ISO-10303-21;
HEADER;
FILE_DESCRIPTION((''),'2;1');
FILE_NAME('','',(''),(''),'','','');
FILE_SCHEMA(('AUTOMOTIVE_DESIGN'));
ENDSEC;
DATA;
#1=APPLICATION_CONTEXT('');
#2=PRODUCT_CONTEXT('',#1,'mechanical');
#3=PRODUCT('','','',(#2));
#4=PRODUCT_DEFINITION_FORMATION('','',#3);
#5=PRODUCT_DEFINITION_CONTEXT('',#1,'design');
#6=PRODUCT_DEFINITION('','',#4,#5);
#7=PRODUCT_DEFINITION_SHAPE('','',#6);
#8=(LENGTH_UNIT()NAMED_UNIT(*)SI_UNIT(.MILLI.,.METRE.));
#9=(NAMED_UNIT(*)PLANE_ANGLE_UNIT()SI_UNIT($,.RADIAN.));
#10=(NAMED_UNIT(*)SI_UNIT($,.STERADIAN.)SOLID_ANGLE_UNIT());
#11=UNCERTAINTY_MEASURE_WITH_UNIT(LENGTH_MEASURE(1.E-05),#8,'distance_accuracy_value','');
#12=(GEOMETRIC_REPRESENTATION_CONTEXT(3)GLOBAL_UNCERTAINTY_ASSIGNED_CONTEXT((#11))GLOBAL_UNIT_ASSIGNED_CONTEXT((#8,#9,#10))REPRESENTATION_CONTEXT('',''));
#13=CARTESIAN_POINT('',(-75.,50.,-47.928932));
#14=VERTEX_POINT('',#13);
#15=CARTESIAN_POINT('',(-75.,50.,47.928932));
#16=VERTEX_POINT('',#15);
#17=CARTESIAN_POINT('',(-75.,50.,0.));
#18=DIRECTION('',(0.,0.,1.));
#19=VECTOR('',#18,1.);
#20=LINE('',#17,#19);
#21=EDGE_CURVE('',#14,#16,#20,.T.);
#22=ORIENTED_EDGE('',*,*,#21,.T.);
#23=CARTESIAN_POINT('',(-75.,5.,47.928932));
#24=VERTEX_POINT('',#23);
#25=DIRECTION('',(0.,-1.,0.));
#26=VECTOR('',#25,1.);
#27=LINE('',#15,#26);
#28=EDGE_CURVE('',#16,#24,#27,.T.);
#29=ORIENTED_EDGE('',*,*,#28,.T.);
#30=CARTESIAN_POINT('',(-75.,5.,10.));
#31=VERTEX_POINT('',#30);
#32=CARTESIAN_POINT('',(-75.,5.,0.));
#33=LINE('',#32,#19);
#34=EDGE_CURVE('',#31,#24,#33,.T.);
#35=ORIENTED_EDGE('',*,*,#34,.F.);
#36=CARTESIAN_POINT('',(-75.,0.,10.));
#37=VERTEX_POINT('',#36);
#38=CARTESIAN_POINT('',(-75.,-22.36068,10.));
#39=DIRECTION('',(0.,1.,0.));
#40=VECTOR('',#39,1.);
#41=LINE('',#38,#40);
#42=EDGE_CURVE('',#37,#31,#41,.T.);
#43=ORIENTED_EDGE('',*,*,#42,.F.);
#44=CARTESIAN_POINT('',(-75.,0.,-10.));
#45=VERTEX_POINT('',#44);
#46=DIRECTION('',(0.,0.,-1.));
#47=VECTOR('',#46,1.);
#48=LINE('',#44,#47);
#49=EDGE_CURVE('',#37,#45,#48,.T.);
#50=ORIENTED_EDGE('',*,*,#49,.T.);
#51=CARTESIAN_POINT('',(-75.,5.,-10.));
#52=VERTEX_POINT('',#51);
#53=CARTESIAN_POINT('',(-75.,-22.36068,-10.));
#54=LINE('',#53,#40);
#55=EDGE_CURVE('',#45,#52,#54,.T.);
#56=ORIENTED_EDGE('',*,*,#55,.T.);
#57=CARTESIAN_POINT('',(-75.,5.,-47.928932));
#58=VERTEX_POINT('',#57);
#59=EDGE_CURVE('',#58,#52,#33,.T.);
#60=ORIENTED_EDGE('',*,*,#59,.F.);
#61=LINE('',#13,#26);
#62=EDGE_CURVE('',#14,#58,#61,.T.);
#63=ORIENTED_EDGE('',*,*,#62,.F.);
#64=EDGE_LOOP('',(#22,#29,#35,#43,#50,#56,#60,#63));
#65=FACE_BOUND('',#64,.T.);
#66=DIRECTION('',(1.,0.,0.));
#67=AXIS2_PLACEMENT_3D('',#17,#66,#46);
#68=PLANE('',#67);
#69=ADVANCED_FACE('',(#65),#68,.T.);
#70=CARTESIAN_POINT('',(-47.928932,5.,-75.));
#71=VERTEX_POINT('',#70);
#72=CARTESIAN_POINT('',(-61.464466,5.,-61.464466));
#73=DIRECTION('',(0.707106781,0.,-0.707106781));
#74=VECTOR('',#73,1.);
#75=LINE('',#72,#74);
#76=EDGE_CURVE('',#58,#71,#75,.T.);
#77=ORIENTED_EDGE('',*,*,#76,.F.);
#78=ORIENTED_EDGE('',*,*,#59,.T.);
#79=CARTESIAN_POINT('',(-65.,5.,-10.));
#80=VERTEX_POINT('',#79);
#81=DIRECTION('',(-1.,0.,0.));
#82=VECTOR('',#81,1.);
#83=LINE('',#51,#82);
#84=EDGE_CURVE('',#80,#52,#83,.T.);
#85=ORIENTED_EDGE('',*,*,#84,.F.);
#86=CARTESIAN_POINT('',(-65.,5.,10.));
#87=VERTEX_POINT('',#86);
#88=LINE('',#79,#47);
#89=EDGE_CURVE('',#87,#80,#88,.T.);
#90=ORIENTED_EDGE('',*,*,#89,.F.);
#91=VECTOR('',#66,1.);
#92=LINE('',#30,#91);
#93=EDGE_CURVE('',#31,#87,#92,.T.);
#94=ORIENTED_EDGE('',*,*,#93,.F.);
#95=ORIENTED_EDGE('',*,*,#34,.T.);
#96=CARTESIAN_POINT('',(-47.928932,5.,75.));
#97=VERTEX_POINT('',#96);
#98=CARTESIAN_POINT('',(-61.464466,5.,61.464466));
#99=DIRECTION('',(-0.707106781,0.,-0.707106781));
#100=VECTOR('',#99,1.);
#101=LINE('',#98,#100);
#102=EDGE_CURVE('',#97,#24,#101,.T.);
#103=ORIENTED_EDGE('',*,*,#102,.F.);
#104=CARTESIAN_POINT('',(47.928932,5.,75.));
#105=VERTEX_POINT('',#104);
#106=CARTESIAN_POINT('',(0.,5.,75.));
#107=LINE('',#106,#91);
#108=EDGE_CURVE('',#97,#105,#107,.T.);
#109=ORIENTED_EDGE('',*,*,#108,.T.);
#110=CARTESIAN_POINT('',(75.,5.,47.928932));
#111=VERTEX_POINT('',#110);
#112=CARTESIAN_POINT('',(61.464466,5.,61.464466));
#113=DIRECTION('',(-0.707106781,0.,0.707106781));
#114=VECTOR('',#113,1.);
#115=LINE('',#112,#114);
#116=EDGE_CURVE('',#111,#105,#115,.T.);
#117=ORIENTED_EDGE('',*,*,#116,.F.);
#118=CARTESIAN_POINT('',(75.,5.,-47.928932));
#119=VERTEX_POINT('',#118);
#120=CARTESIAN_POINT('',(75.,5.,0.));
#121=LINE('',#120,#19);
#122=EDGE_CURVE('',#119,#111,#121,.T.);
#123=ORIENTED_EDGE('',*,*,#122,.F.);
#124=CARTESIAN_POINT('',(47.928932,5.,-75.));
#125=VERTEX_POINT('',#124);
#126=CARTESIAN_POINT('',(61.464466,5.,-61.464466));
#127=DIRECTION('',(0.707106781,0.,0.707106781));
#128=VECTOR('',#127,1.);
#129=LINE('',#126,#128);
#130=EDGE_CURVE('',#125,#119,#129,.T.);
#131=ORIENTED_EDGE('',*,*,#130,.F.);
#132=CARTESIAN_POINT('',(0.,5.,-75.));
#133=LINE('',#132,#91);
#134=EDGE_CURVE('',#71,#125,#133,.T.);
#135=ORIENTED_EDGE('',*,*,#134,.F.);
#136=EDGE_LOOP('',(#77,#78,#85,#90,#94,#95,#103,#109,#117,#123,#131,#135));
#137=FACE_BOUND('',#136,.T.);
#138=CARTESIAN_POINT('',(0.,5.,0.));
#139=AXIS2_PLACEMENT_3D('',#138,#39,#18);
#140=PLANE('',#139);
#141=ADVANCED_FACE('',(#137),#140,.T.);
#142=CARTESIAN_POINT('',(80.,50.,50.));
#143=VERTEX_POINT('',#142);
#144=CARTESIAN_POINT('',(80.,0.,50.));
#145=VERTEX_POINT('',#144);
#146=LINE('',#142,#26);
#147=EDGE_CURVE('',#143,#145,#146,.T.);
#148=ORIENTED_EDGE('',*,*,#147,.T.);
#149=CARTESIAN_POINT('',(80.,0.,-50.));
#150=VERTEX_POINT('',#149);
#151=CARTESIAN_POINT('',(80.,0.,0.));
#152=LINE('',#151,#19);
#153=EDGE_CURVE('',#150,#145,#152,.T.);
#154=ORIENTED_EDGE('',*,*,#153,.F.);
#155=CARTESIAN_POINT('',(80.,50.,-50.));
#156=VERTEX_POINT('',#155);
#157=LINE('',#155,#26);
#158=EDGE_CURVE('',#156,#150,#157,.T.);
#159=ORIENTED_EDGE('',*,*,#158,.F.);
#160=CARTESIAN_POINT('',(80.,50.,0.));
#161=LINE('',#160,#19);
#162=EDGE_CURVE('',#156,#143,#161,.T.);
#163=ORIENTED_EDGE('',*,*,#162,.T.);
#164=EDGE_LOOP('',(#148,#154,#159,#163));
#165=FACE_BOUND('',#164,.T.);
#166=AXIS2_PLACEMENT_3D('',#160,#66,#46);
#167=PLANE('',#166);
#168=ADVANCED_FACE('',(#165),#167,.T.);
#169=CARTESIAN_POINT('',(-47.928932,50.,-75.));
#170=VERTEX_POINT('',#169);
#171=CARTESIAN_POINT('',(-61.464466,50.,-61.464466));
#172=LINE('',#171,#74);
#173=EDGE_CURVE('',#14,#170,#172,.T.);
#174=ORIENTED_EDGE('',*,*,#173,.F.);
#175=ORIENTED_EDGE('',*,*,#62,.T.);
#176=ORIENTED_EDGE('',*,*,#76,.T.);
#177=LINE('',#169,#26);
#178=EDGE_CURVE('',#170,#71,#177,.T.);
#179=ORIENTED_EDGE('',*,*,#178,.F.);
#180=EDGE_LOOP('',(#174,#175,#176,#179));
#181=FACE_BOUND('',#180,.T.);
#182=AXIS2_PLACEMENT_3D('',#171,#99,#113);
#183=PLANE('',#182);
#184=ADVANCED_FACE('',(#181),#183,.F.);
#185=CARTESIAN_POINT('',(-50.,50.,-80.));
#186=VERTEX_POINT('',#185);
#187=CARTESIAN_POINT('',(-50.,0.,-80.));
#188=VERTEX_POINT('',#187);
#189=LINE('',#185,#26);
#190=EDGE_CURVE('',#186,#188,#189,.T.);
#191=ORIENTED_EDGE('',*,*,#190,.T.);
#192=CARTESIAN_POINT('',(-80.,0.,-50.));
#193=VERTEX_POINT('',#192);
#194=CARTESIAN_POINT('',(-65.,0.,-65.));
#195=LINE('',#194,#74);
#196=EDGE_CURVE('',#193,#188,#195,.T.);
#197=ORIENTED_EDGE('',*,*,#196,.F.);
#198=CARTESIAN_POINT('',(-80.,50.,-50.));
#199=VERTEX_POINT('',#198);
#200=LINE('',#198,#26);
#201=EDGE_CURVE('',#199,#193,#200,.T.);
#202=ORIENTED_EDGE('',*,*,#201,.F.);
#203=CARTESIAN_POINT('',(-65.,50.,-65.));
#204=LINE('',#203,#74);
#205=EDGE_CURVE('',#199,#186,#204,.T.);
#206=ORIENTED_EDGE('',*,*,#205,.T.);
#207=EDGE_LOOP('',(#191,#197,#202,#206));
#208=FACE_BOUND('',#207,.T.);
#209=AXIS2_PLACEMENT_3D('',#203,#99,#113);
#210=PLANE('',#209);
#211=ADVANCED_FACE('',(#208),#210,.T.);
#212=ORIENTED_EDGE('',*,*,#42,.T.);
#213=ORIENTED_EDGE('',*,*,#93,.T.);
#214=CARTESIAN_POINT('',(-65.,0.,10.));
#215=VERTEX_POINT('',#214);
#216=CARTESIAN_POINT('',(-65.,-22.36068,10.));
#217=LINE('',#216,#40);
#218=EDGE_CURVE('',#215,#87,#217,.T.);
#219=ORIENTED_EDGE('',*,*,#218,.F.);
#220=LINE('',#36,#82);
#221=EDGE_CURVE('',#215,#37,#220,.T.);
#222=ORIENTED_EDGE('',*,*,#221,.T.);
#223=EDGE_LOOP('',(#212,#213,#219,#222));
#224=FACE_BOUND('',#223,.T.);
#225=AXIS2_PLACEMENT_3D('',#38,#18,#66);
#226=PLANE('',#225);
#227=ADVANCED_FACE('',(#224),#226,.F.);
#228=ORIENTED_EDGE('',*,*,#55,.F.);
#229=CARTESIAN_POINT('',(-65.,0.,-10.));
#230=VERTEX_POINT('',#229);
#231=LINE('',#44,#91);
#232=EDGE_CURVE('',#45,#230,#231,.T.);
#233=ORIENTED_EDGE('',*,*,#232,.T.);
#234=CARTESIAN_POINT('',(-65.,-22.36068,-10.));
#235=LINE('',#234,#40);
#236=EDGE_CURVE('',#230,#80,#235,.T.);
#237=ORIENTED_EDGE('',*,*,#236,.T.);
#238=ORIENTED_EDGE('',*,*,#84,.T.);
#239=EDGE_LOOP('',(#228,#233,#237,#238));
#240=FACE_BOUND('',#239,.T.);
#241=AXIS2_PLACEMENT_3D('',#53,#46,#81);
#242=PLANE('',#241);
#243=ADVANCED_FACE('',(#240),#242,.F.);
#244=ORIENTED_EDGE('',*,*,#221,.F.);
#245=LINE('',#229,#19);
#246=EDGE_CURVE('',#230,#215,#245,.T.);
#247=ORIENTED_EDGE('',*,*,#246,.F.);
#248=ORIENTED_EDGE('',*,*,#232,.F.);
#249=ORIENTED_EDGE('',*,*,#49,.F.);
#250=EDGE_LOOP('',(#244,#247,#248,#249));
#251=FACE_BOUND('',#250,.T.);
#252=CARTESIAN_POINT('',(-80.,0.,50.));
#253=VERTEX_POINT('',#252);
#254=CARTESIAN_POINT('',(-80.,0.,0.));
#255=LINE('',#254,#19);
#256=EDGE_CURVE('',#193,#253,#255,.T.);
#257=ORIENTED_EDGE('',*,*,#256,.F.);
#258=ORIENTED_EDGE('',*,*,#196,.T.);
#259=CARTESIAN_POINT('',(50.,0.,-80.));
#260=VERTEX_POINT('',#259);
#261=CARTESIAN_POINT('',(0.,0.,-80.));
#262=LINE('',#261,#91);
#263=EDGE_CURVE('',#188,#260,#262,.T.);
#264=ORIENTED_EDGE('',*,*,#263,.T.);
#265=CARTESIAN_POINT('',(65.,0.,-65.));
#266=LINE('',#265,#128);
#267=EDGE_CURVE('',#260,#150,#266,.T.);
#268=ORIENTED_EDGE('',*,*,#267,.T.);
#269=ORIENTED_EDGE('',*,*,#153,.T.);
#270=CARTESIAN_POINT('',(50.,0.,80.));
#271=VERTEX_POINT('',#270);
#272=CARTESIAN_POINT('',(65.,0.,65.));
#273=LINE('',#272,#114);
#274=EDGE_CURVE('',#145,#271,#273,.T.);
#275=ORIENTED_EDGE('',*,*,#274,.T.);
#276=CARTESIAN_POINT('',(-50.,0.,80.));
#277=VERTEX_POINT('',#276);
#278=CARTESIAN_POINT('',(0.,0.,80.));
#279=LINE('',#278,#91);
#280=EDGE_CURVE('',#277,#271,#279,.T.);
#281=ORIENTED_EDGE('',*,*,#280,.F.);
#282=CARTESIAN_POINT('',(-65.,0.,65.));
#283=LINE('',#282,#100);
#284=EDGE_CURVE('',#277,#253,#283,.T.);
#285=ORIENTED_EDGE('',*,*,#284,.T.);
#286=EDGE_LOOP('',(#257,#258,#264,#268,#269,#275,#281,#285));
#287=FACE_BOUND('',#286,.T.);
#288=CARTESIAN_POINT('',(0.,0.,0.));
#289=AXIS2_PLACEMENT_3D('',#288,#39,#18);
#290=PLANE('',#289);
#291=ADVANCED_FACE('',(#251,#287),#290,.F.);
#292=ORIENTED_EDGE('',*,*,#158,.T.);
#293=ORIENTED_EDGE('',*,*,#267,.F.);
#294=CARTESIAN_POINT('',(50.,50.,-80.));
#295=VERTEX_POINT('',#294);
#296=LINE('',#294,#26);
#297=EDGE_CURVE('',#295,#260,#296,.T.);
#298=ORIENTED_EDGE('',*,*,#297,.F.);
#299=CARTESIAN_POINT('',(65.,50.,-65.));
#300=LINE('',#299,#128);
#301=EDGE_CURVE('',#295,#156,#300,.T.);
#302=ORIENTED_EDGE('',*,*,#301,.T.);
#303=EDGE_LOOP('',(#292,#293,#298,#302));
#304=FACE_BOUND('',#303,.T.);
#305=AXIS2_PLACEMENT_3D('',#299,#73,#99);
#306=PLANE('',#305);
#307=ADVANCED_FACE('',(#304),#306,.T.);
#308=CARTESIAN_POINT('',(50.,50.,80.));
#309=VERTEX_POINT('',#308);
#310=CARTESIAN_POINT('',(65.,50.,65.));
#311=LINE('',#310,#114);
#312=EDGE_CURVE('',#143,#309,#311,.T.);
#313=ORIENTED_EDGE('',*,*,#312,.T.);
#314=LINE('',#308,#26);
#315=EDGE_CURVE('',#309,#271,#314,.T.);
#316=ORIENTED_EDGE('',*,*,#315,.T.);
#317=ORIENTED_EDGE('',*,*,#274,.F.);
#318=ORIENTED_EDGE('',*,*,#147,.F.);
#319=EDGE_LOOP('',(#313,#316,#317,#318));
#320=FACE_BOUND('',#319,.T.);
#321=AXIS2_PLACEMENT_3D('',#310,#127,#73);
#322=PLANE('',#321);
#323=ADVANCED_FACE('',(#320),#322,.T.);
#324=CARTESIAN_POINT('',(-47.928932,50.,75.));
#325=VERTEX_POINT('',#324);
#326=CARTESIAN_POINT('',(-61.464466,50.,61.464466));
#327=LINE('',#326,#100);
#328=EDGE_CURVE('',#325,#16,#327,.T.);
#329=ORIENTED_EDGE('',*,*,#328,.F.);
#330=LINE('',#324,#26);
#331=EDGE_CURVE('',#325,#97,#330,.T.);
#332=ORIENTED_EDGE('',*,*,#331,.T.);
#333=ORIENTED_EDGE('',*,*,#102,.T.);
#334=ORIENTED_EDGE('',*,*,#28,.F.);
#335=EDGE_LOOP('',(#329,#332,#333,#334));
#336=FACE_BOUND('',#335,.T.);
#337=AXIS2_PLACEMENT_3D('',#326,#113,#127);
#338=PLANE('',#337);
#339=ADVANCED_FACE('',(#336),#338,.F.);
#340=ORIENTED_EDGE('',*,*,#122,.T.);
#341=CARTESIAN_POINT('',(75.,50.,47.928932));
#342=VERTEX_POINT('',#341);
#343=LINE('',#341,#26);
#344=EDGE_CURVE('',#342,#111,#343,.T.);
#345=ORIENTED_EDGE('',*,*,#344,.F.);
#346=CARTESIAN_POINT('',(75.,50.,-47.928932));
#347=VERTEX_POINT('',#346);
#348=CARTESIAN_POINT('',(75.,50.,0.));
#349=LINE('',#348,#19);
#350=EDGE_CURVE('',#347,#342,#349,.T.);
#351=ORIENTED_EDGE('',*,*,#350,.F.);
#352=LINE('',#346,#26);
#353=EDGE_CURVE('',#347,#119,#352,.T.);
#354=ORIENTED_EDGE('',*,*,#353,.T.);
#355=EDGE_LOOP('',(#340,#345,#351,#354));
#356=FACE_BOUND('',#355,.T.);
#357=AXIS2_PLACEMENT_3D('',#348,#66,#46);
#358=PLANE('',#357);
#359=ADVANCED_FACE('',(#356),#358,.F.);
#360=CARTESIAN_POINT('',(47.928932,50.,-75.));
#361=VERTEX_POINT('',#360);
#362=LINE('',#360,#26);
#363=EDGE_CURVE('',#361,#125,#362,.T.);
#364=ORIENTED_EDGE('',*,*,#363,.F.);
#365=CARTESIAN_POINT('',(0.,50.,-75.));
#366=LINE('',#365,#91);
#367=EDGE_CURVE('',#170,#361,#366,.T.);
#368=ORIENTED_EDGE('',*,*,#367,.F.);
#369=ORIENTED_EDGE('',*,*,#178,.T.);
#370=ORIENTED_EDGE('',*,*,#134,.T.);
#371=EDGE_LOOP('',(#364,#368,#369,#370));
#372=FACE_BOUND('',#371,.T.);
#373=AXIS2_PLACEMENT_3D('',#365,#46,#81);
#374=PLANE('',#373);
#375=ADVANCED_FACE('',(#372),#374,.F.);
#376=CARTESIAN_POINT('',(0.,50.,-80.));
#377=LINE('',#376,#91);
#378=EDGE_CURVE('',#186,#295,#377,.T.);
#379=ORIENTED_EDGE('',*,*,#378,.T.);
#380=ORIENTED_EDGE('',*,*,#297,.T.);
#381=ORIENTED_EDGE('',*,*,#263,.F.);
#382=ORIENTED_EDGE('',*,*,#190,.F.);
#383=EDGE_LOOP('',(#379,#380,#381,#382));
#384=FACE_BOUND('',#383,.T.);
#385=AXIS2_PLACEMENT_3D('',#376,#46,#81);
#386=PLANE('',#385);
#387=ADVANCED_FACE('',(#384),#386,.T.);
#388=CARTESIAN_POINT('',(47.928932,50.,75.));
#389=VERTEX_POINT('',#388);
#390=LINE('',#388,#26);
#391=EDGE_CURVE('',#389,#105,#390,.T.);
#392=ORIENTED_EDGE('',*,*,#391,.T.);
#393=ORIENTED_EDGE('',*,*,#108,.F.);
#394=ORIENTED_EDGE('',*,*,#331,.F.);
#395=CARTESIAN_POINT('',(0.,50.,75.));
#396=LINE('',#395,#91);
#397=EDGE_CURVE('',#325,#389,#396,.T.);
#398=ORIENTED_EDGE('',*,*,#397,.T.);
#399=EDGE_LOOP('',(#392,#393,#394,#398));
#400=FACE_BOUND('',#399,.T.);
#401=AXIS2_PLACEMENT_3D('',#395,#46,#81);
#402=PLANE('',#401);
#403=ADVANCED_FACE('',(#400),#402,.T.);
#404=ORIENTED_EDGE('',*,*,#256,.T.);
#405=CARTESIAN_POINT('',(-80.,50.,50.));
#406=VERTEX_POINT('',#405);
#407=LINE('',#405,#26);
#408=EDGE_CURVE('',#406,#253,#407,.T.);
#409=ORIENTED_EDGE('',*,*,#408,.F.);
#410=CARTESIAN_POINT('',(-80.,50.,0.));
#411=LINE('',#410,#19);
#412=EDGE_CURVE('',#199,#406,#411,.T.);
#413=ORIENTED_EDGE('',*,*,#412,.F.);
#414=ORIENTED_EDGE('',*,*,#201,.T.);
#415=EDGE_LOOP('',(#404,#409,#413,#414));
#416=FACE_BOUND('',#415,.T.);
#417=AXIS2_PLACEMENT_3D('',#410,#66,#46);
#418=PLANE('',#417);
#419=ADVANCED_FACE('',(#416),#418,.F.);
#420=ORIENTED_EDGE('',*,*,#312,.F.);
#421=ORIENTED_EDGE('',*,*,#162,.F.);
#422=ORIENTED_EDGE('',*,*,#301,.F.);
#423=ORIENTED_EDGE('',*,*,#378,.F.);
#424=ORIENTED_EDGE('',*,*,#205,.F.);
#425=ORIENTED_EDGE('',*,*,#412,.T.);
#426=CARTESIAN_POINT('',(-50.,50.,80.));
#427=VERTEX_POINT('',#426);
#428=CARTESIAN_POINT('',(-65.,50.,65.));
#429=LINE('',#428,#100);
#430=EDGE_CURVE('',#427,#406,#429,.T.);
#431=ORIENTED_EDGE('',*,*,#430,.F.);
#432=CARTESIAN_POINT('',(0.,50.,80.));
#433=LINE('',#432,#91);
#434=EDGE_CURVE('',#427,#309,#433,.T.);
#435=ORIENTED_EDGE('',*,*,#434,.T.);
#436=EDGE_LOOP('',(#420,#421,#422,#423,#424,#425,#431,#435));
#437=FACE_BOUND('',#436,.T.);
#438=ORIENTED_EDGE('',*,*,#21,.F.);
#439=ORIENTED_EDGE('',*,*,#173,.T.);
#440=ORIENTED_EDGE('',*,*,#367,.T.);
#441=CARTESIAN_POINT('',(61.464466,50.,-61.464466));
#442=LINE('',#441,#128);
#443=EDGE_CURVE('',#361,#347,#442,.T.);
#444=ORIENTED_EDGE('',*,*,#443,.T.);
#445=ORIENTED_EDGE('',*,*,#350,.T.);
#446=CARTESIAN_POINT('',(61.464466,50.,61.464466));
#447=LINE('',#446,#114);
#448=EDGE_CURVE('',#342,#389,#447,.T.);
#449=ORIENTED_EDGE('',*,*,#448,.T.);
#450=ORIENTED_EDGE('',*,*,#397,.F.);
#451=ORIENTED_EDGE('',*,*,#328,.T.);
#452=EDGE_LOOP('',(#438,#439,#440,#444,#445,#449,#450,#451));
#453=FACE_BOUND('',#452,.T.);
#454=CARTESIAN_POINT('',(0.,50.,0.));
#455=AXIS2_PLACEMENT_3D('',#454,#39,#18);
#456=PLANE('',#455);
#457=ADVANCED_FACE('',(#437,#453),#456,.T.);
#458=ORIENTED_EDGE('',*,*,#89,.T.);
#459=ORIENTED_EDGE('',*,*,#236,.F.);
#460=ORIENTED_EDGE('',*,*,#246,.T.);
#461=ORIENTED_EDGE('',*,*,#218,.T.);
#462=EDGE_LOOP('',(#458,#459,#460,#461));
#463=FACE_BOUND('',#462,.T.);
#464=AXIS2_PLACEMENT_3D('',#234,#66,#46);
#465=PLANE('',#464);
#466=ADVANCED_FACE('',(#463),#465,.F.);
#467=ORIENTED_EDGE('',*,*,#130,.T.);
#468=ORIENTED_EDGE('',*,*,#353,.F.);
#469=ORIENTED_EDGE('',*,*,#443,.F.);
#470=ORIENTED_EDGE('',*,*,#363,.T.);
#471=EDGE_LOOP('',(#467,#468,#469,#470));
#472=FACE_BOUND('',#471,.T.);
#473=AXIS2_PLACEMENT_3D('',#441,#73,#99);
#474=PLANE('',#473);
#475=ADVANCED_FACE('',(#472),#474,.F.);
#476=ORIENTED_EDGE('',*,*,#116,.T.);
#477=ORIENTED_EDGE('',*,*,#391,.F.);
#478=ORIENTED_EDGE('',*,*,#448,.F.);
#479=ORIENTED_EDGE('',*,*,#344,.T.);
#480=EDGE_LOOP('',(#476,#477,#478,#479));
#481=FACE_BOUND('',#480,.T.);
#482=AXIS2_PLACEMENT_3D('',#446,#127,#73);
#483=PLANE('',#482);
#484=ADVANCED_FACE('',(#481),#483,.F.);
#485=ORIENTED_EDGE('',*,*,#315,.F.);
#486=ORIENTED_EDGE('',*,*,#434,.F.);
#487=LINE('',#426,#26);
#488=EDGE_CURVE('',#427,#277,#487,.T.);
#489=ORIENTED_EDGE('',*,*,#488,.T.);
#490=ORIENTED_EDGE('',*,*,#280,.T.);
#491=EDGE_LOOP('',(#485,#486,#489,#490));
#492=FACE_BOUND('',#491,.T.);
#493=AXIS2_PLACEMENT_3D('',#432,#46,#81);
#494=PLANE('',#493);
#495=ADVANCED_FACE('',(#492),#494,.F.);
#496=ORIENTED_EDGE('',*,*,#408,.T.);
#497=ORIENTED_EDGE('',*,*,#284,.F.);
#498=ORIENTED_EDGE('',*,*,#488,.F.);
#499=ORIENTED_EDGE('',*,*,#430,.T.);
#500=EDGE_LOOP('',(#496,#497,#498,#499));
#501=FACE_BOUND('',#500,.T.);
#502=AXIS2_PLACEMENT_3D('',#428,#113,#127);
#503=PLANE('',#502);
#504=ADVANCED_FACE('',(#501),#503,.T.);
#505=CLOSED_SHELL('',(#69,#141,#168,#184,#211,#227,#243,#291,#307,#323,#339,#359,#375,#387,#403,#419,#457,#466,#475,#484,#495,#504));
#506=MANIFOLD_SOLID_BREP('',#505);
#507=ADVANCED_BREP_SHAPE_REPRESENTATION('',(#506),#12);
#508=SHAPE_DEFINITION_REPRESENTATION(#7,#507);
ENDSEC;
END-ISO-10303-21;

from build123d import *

# Parameters (mm, degrees)
BOSS_EXTRUDE1_DEPTH = 50
SHELL1_T            = -5
SKETCH5_W           = 10
SKETCH5_H           = 20
CUT_EXTRUDE1_DEPTH  = 5


with BuildPart() as part:
    # Sketch1 → Boss-Extrude1 (new body)
    with BuildSketch(Plane(origin=(0, 0, 0), x_dir=(1, 0, 0), z_dir=(0, 1, 0))):
        Polygon((-50, 80), (-80, 50), (-80, -50), (-50, -80), (50, -80), (80, -50), (80, 50), (50, 80), align=None)
    extrude(amount=BOSS_EXTRUDE1_DEPTH)

    # Shell1
    shell1_openings = [part.faces().sort_by_distance(p)[0] for p in [
        (0, 50, 0),
    ]]
    offset(amount=SHELL1_T, openings=shell1_openings, kind=Kind.INTERSECTION)

    # Sketch5 → Cut-Extrude1 (cut)
    with BuildSketch(Plane(origin=(0, 5, 0), x_dir=(1, 0, 0), z_dir=(0, 1, 0))):
        with Locations((-70, 0)):
            Rectangle(SKETCH5_W, SKETCH5_H)
    extrude(amount=-CUT_EXTRUDE1_DEPTH, mode=Mode.SUBTRACT)


solid = part.part
